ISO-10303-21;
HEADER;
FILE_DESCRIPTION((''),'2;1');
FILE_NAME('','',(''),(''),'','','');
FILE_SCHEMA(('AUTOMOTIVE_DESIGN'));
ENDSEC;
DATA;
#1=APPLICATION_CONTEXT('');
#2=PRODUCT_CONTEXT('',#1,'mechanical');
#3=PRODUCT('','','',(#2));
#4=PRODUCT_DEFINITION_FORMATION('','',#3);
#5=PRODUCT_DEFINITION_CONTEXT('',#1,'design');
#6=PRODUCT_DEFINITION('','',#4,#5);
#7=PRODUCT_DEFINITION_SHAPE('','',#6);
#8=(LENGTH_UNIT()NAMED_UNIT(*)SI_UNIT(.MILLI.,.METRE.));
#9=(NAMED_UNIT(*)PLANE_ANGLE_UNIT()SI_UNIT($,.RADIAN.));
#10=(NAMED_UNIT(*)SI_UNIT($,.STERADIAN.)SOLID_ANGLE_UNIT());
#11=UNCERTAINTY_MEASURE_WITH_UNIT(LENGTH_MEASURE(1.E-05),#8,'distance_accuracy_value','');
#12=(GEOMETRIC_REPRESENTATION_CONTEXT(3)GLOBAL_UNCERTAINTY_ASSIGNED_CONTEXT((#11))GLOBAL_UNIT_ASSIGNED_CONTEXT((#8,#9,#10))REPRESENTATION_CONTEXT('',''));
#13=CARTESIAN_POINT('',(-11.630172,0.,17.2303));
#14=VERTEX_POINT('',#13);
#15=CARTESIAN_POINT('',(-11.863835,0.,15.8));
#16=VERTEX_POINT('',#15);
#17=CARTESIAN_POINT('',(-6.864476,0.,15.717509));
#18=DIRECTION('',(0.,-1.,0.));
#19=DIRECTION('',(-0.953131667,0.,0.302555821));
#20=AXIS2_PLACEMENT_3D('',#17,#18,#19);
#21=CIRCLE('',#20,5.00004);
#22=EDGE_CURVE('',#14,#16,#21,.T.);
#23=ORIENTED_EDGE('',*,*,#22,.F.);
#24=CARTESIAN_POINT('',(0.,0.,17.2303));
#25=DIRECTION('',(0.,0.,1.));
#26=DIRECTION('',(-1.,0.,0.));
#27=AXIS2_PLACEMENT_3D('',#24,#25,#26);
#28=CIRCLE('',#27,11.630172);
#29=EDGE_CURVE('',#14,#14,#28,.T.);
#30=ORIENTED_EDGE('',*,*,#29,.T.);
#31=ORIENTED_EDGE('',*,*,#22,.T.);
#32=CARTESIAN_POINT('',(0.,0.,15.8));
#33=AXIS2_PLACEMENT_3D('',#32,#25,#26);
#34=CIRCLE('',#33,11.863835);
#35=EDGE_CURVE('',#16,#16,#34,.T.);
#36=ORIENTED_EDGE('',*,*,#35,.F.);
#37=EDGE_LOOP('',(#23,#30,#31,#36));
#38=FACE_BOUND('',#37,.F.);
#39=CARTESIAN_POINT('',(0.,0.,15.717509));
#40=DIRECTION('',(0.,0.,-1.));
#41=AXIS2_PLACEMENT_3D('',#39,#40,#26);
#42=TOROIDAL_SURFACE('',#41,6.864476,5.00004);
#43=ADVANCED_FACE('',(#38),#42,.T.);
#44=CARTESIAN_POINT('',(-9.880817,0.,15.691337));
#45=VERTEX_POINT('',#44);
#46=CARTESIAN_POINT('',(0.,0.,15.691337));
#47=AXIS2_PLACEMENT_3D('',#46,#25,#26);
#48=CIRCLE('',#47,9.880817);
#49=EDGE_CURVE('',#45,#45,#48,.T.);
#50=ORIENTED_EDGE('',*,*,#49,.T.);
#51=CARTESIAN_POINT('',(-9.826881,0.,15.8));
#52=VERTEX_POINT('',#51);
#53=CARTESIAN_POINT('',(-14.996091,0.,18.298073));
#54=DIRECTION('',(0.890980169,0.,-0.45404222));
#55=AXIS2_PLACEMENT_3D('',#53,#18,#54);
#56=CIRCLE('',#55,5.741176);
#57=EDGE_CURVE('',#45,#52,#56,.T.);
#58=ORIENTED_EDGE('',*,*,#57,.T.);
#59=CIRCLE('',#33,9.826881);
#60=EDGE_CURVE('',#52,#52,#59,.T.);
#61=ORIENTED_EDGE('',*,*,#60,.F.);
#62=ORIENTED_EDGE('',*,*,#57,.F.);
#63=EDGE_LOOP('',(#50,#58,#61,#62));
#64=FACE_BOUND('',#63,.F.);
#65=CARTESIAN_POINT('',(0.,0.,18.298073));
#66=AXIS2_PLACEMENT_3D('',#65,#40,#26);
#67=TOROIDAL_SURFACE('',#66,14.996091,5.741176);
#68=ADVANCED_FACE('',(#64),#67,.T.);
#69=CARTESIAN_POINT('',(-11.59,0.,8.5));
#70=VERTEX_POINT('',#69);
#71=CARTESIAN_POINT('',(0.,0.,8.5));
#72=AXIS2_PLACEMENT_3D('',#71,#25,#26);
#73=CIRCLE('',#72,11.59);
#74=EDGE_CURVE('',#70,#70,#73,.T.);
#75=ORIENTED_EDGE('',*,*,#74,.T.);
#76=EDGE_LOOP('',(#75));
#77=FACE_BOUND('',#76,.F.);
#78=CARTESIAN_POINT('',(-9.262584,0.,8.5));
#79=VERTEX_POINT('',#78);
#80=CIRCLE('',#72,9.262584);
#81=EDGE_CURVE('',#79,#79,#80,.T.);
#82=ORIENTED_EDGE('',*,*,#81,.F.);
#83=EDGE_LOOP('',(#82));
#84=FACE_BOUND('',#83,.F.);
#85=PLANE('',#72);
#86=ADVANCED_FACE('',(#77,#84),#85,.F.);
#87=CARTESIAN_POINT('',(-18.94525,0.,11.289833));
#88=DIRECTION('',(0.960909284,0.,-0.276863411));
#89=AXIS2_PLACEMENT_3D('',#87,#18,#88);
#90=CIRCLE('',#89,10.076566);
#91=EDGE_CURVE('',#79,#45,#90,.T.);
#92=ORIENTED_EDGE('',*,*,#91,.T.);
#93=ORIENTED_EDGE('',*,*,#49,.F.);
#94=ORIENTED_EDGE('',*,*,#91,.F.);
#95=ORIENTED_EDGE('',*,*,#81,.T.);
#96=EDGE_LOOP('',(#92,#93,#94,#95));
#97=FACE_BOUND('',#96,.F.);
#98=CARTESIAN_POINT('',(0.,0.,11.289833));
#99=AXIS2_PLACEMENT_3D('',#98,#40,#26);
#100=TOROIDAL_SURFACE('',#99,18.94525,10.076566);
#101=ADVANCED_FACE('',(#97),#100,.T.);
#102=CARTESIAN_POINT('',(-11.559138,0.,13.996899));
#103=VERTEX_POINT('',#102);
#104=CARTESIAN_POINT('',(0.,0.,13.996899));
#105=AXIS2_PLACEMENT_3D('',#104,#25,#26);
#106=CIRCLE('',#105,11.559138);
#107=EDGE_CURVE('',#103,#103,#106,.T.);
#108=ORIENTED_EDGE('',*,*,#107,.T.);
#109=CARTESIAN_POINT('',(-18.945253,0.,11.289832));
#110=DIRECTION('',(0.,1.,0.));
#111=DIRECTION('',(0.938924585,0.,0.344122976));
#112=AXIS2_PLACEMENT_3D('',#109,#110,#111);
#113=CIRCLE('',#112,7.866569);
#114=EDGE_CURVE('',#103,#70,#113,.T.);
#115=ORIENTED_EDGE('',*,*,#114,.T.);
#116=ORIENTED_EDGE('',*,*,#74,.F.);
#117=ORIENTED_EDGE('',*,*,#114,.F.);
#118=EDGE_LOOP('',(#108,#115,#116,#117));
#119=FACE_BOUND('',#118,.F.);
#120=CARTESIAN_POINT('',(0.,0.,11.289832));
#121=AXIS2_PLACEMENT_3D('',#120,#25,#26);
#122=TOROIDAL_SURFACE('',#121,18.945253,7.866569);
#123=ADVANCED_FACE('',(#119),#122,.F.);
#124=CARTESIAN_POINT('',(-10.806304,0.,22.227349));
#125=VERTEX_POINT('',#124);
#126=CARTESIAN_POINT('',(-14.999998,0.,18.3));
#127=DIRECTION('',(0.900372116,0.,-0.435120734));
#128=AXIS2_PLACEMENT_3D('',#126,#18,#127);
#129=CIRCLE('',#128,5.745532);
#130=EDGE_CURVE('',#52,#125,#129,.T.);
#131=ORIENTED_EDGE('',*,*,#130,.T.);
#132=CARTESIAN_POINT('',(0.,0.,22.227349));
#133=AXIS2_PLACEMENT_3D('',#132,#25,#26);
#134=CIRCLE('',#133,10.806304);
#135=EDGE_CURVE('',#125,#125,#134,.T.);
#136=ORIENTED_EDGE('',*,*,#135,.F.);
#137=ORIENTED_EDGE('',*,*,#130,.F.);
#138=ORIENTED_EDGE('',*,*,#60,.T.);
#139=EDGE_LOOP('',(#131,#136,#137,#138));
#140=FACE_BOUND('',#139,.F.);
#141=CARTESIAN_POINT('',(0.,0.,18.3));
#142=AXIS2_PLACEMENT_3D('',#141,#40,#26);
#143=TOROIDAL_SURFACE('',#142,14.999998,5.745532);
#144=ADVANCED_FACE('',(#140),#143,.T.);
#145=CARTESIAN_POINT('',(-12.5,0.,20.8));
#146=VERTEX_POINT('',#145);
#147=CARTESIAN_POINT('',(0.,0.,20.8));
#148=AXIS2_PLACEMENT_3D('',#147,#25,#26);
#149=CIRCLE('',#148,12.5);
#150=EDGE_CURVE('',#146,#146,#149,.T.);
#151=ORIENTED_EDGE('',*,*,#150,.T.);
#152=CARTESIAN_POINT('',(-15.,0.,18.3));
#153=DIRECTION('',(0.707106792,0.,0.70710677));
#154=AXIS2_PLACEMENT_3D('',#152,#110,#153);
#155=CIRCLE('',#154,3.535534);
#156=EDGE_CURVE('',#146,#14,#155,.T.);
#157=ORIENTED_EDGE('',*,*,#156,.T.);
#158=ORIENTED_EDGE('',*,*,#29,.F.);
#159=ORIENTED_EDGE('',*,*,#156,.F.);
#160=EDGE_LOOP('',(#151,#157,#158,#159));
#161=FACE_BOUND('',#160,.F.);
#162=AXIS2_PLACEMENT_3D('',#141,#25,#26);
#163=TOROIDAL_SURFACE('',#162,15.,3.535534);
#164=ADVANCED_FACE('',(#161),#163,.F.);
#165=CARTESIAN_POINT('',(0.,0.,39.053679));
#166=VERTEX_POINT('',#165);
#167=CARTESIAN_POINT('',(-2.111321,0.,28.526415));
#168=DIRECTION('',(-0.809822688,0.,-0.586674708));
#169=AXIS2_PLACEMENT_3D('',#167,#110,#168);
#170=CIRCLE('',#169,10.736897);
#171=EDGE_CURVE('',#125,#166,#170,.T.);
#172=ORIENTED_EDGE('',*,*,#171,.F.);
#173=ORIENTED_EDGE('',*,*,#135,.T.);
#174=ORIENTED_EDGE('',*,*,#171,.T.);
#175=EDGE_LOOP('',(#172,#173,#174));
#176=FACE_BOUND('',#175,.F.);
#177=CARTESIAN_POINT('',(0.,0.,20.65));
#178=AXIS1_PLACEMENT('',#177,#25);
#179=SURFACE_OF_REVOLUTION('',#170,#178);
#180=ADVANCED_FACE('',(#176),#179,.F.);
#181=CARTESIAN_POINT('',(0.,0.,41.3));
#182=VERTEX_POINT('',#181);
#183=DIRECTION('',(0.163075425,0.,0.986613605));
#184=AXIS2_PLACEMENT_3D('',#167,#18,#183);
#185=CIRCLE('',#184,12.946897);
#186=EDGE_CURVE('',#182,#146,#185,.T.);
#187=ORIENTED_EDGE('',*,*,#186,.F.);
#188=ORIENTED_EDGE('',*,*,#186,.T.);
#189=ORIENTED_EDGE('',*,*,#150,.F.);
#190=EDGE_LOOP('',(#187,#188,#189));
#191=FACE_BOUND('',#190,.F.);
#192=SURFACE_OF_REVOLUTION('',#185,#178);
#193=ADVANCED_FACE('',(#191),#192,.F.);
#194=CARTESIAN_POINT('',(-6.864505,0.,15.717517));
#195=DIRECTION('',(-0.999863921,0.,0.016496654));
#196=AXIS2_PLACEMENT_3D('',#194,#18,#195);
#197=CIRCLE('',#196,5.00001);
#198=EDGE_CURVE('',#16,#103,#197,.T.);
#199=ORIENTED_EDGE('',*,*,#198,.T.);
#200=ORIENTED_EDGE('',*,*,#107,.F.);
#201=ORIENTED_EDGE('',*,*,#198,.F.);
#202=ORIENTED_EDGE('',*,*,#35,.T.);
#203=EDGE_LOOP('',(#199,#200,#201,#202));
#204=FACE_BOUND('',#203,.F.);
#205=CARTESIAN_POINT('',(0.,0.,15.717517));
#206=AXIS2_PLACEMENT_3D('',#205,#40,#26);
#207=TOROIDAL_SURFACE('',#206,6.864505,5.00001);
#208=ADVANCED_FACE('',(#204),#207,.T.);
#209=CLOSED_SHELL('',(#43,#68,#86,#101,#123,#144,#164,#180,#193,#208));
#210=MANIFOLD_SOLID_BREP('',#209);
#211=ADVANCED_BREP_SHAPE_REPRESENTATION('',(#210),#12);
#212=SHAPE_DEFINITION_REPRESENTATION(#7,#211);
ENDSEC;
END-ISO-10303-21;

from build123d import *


with BuildPart() as f1:
    # F0 (on Front) → F1 (revolve)
    with BuildSketch(Plane.XZ):
        with BuildLine():
            Line((0, 39.053679), (0, 41.3))
            ThreePointArc((0, 41.3), (-13.165332, 35.266666), (-12.5, 20.8))
            ThreePointArc((-12.5, 20.8), (-11.564973, 19.137012), (-11.630172, 17.2303))
            ThreePointArc((-11.630172, 17.2303), (-11.7991, 16.523661), (-11.863835, 15.8))
            Line((-11.863835, 15.8), (-9.826881, 15.8))
            ThreePointArc((-9.826881, 15.8), (-9.320034, 19.165534), (-10.806304, 22.227349))
            ThreePointArc((-10.806304, 22.227349), (-11.145561, 34.328438), (0, 39.053679))
        make_face()
        with BuildLine():
            Line((-9.826881, 15.8), (-11.863835, 15.8))
            ThreePointArc((-11.863835, 15.8), (-11.794619, 14.884402), (-11.559138, 13.996899))
            ThreePointArc((-11.559138, 13.996899), (-11.078808, 11.245666), (-11.59, 8.5))
            Line((-11.59, 8.5), (-9.262584, 8.5))
            ThreePointArc((-9.262584, 8.5), (-8.905715, 12.152922), (-9.880817, 15.691337))
            ThreePointArc((-9.880817, 15.691337), (-9.853562, 15.745526), (-9.826881, 15.8))
        make_face()
    revolve(axis=Axis((0, 0, 20.65), (0, 0, 1)))


solid = f1.part
